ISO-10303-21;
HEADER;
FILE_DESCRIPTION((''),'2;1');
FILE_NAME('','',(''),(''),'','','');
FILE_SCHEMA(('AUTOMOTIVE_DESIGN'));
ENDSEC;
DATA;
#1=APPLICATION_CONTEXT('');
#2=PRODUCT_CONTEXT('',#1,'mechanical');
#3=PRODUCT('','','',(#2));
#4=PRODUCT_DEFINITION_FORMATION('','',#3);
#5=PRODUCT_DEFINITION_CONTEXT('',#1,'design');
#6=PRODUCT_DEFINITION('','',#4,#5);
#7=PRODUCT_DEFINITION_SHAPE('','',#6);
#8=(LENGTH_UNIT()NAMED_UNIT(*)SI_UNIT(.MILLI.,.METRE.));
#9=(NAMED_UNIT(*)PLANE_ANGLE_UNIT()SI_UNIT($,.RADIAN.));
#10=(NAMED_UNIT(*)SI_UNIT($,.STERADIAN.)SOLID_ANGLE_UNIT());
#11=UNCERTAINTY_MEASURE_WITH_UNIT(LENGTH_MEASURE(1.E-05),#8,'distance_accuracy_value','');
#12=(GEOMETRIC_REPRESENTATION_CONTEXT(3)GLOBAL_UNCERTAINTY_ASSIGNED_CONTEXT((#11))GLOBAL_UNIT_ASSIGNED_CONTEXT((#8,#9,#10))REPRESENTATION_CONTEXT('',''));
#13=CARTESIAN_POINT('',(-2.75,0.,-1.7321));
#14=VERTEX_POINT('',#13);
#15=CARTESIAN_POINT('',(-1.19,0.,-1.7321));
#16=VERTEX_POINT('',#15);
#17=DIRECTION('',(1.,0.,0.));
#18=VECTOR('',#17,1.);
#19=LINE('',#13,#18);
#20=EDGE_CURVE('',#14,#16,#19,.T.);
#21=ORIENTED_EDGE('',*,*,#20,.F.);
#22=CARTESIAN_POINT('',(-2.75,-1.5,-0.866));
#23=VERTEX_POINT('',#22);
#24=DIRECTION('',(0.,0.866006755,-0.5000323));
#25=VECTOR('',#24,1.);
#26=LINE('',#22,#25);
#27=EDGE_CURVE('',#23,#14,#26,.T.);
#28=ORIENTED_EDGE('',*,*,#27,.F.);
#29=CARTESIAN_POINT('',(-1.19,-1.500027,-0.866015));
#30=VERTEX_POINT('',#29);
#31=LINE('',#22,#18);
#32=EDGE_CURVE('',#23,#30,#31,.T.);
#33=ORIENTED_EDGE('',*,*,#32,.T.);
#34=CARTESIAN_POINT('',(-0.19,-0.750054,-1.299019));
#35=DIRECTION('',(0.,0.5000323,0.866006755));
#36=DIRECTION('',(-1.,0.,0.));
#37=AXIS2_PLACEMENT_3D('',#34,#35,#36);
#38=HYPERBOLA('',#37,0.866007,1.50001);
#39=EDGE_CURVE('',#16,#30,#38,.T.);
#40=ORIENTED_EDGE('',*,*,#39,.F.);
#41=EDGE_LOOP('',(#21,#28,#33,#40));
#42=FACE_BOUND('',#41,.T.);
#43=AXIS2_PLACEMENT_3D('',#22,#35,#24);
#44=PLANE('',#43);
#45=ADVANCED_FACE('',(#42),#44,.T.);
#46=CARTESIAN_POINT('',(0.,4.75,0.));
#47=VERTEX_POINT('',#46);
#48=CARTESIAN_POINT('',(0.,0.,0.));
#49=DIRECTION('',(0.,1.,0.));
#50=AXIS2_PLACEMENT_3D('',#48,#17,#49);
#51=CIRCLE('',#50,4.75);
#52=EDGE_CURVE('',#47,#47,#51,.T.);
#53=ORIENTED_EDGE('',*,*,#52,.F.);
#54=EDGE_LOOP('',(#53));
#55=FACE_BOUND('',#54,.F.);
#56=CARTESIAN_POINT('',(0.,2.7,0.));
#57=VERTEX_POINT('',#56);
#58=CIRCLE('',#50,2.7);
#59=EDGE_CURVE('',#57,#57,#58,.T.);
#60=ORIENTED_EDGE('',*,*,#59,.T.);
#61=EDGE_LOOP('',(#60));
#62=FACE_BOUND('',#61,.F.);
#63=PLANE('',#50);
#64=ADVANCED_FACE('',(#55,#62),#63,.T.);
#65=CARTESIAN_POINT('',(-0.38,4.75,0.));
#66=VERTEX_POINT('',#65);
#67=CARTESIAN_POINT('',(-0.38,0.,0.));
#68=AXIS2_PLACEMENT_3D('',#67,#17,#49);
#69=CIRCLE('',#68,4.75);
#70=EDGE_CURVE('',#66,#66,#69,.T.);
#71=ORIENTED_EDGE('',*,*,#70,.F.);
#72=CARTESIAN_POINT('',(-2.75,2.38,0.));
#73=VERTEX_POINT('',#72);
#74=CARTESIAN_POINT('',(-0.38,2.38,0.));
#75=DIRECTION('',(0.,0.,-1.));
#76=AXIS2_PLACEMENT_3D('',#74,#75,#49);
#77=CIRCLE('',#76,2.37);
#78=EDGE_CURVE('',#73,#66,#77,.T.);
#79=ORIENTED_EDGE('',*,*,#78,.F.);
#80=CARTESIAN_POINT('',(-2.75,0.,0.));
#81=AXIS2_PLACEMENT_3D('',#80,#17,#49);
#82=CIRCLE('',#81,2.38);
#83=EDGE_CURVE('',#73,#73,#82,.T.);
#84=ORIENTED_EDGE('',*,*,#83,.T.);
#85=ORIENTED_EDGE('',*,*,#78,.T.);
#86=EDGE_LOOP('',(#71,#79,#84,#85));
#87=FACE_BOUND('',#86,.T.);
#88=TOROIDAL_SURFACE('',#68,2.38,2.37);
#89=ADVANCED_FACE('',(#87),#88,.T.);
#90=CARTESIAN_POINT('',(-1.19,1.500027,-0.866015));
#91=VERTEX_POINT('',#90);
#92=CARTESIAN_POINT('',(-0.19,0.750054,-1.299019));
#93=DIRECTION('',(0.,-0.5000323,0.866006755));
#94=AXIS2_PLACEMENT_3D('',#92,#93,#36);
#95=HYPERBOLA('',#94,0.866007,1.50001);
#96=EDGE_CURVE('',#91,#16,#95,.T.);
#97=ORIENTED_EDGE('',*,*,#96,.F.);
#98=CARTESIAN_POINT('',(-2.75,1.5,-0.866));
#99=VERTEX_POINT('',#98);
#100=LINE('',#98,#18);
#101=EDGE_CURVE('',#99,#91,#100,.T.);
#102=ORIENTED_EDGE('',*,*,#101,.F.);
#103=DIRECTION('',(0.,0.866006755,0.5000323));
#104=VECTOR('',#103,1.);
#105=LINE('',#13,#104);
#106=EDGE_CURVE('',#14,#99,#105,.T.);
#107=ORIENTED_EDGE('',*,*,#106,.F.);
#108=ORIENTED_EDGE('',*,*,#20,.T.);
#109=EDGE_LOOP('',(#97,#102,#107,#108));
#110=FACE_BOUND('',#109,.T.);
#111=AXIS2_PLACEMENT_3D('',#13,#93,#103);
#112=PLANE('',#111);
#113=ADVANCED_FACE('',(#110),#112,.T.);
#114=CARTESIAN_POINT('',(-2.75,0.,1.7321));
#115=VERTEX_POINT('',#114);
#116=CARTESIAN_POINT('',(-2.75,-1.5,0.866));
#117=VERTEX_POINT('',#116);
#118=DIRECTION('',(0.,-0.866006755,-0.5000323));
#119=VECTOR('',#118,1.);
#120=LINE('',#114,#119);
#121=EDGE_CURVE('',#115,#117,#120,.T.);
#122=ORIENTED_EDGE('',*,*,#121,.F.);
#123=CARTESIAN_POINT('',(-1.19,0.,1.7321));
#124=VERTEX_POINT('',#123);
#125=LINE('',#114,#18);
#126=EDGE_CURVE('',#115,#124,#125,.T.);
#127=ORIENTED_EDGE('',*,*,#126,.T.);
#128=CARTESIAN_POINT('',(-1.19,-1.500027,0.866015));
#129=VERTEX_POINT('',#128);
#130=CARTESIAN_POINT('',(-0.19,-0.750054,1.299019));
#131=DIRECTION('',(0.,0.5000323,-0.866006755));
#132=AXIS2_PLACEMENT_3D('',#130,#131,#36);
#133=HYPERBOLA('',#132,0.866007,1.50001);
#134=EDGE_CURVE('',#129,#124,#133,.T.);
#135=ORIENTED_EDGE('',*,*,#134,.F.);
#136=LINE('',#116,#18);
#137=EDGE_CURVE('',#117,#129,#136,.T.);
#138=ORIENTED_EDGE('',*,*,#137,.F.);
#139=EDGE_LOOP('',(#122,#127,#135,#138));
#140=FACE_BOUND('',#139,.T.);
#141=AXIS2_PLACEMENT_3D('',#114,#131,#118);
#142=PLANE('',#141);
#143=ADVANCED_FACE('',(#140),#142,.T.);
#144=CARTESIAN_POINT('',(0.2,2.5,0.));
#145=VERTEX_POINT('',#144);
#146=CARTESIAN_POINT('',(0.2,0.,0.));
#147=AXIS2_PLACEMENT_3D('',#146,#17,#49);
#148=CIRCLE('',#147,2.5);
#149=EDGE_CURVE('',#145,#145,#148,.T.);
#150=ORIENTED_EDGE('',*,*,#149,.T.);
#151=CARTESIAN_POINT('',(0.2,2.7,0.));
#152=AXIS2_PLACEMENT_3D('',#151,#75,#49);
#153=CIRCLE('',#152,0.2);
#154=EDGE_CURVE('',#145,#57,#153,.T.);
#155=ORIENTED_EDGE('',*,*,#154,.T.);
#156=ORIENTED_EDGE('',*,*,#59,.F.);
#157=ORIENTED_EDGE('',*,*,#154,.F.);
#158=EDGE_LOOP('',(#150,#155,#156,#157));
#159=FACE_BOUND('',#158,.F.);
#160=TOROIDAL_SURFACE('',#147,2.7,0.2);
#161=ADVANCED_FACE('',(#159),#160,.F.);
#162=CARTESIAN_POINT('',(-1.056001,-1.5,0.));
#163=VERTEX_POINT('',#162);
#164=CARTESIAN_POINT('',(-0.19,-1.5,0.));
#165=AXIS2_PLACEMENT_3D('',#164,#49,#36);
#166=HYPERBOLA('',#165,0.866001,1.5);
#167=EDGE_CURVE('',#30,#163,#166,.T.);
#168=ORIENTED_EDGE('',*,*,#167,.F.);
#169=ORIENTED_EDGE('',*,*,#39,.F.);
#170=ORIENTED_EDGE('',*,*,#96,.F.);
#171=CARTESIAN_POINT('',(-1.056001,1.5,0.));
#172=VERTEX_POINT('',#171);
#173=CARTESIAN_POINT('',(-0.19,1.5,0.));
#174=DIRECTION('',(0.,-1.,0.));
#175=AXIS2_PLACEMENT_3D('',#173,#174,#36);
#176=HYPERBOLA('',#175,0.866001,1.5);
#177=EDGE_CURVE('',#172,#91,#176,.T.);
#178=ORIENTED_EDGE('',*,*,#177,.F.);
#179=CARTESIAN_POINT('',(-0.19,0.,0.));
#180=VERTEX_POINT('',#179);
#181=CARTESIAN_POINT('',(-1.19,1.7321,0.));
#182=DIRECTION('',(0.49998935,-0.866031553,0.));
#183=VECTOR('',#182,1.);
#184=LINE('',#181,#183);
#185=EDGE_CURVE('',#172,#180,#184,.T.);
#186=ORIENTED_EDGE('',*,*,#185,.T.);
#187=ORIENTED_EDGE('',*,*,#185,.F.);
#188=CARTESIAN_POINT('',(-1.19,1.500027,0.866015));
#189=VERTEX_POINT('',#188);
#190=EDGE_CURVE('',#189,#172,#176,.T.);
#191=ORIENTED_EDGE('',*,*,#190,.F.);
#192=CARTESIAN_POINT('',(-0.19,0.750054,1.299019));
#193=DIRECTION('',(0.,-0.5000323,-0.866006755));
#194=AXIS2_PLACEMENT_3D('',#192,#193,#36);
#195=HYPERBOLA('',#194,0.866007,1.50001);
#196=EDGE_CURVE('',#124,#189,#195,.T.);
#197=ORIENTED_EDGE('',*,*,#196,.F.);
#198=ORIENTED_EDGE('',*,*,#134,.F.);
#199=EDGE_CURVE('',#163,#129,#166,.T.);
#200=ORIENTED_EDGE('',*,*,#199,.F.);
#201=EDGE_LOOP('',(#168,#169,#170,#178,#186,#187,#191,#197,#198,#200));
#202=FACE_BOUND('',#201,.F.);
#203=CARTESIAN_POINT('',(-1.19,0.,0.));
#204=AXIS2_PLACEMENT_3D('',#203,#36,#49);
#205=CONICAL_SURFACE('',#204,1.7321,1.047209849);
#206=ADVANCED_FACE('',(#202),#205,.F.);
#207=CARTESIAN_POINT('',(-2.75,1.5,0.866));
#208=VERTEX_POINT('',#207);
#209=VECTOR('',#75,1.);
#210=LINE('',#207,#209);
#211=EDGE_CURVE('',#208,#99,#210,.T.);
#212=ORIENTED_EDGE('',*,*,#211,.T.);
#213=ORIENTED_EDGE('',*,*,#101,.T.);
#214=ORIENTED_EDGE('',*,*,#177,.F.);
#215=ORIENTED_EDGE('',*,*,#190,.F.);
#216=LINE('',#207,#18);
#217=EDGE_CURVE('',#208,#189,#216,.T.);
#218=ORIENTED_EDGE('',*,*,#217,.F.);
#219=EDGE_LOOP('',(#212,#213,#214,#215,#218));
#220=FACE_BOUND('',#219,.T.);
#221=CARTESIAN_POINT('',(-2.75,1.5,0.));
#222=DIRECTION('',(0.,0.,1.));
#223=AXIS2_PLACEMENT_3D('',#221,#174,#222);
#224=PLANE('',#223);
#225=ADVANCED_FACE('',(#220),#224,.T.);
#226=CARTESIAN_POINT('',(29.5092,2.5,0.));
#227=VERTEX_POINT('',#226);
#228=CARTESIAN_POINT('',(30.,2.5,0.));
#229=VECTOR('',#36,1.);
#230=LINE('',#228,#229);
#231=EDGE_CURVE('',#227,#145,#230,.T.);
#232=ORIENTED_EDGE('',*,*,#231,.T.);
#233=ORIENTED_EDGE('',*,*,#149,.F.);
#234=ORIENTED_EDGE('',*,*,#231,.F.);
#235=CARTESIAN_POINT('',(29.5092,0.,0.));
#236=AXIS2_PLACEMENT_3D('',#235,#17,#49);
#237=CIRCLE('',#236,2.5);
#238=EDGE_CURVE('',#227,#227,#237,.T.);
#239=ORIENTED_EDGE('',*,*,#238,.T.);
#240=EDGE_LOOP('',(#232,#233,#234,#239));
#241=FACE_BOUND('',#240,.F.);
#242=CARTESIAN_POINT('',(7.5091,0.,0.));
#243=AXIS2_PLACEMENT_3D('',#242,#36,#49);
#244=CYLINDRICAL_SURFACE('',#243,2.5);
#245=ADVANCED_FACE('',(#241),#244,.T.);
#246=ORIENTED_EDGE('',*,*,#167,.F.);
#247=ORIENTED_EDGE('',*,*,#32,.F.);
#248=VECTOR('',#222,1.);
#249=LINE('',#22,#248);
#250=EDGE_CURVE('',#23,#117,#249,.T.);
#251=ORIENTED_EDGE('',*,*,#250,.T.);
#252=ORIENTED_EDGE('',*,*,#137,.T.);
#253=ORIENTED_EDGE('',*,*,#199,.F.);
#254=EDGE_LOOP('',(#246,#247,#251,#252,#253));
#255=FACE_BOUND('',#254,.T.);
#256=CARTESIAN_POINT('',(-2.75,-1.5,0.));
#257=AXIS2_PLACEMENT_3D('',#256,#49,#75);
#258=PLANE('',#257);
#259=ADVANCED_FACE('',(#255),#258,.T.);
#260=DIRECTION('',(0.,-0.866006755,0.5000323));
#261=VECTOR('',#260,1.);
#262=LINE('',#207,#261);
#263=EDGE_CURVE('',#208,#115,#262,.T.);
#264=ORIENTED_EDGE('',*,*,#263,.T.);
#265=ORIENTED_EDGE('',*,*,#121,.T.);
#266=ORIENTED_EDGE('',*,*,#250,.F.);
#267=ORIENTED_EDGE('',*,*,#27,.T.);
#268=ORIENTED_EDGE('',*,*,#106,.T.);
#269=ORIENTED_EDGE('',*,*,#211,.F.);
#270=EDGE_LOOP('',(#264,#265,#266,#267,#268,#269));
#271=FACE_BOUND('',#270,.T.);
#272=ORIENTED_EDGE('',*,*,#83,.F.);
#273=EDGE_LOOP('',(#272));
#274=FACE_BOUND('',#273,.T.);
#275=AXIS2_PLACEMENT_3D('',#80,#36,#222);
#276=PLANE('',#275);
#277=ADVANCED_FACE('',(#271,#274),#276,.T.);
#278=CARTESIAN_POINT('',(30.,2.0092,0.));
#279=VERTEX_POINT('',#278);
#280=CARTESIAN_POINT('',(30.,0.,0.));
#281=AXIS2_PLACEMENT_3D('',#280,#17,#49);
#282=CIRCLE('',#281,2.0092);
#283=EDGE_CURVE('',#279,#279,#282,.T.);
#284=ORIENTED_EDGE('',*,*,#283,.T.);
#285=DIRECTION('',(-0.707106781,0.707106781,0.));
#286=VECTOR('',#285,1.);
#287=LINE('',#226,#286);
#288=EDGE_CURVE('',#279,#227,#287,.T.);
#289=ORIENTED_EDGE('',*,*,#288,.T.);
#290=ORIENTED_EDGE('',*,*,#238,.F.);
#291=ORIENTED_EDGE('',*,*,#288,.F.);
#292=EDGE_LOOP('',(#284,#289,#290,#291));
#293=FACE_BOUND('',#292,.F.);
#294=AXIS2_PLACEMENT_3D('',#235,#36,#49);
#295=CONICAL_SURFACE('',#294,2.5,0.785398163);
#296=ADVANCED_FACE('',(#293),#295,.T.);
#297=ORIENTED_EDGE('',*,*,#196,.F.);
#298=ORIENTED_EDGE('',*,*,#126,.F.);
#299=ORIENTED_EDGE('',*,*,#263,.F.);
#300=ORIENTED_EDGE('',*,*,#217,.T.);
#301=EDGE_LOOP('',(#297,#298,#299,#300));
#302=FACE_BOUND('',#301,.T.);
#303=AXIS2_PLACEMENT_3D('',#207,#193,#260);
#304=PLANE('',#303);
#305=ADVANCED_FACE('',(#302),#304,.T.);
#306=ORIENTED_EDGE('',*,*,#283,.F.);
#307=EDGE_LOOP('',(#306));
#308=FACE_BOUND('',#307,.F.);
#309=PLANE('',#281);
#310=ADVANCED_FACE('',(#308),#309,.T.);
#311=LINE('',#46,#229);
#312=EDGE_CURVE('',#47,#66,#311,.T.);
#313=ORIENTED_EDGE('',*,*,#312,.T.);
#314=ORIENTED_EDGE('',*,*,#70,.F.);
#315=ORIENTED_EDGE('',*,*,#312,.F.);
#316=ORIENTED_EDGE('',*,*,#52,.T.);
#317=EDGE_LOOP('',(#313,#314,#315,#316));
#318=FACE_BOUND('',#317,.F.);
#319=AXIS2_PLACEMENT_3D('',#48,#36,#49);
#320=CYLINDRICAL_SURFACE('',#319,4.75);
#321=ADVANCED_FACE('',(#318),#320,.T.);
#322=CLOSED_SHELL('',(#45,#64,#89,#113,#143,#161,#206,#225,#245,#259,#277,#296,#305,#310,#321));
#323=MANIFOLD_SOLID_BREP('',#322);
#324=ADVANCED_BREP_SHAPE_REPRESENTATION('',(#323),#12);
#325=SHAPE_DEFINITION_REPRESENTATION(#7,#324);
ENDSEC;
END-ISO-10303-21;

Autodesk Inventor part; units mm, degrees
ref_plane "YZ Plane" through (0, 0, 0) normal (1, 0, 0) x (0, 1, 0)
ref_plane "XZ Plane" through (0, 0, 0) normal (0, 1, 0) x (-1, 0, 0)
sketch "Sketch1" plane through (0, 0, 0) normal (0, 0, 1) x (1, 0, 0)
  line L0 (-0.19, 0) -> (30, 0)
  line L1 (30, 0) -> (30, 2.5)
  line L2 (30, 2.5) -> (8, 2.5)
  line L3 (8, 2.5) -> (7.5091, 2.5)
  line L4 (7.5091, 2.5) -> (0, 2.5)
  line L5 (0, 2.5) -> (0, 4.75)
  line L6 (0, 4.75) -> (-2.75, 4.75)
  line L7 (-2.75, 4.75) -> (-2.75, 1.7321)
  line L8 (-2.75, 1.7321) -> (-1.19, 1.7321)
  line L9 (-1.19, 1.7321) -> (-0.19, 0)
  line L10 (-9.3, 0) -> (36.55, 0) projected
  line L11 (0, -0.95) -> (0, 5.7) projected
  line L12 (8, 2.5) -> (0, 2.5) construction
  dimension "d1" = 22
  dimension "d2" = 0.4909
  dimension "d3" = 2.75
  dimension "d4" = 1.56
  dimension "d5" = 60
  dimension "d6" = 5
  dimension "d7" = 5
  dimension "d8" = 3.4641
  dimension "d9" = 9.5
  dimension "d26" = 30
revolve "Body" add sketch "Sketch1" angle 360 about axis through (-0.19, 0, 0) along (1, 0, 0)
sketch "Sketch2" plane through (-2.75, 0, 0) normal (-1, 0, 0) x (0, 0, 1)
  circle A0 centre (0, 0) radius 1.7321 projected
  line L0 (0, -6.65) -> (0, 6.65) projected
  line L1 (-6.65, 0) -> (6.65, 0) projected
  line L2 (1.7321, 0) -> (0.866, -1.5)
  line L3 (0.866, -1.5) -> (-0.866, -1.5)
  line L4 (-0.866, -1.5) -> (-1.7321, 0)
  line L5 (-1.7321, 0) -> (-0.866, 1.5)
  line L6 (-0.866, 1.5) -> (0.866, 1.5)
  line L7 (0.866, 1.5) -> (1.7321, 0)
extrude "Slot" add sketch "Sketch2" against normal up to next contours L7 A0 | A0 L2 | L6 L0 A0 | A0 L0 L3 | L0 L6 A0 | A0 L3 L0 | L4 A0 | A0 L5
fillet "Fillet1" radius 2.37 1 edges at (-2.75, -4.75, 0)
thread "Thread" size "M5x0.8" class "6g" standard "ISO Metric profile" length 22
chamfer "Chamfer1" distance 0.4908 distance2 0.4908 1 edges at (30, -2.5, 0) measured on face at (30, -0.5525, -0.0341)
ref_plane "Work Plane1" through (29, 0, 0) normal (0, -1, 0) x (1, 0, 0)
fillet "Fillet2" radius 0.2 1 edges at (0, -2.5, 0)
equation "\"d1\" = GEL"
equation "\"d3\" = KOH"
equation "\"d4\" = INTI"
equation "\"d6\" = GD"
equation "\"d7\" = BDM"
equation "\"d8\" = 1.1547 * SW"
equation "\"d9\" = KOD"
equation "\"d26\" = NLG"
equation "\"d30\" = R"
equation "\"d17\" = RR"
equation "\"d13\" = GEL"
equation "\"d15\" = -0.5 * SPD + 0.5 * GD"
equation "\"d16\" = GUL"
equation "\"GD\" = NND"
equation "\"NLG\" = 30"
equation "\"GEL\" = 22"
equation "\"KOD\" = 9.5"
equation "\"KOH\" = 2.75"
equation "\"INTI\" = 1.56"
equation "\"GAL\" = 0.61345 * PTC"
equation "\"GUL\" = 0.61345 * PTC"
equation "\"BDM\" = NND"
equation "\"SW\" = 3"
equation "\"RR\" = 2.37"
equation "\"SPD\" = NND - 1.2269 * PTC"
equation "\"R\" = 0.2"
equation "\"TOA\" = 30deg"
equation "\"GD1\" = THREADDIA - 1.2269 * PTC"
equation "\"THREADDIA\" = 5"
equation "\"PTC\" = 0.8"
equation "\"NND\" = 5"
equation "\"KOH1\" = 0.38"
equation "\"E0\" = 3.443"
properties part number "ISO 7380-1 - M5 x 30" material "Steel"
